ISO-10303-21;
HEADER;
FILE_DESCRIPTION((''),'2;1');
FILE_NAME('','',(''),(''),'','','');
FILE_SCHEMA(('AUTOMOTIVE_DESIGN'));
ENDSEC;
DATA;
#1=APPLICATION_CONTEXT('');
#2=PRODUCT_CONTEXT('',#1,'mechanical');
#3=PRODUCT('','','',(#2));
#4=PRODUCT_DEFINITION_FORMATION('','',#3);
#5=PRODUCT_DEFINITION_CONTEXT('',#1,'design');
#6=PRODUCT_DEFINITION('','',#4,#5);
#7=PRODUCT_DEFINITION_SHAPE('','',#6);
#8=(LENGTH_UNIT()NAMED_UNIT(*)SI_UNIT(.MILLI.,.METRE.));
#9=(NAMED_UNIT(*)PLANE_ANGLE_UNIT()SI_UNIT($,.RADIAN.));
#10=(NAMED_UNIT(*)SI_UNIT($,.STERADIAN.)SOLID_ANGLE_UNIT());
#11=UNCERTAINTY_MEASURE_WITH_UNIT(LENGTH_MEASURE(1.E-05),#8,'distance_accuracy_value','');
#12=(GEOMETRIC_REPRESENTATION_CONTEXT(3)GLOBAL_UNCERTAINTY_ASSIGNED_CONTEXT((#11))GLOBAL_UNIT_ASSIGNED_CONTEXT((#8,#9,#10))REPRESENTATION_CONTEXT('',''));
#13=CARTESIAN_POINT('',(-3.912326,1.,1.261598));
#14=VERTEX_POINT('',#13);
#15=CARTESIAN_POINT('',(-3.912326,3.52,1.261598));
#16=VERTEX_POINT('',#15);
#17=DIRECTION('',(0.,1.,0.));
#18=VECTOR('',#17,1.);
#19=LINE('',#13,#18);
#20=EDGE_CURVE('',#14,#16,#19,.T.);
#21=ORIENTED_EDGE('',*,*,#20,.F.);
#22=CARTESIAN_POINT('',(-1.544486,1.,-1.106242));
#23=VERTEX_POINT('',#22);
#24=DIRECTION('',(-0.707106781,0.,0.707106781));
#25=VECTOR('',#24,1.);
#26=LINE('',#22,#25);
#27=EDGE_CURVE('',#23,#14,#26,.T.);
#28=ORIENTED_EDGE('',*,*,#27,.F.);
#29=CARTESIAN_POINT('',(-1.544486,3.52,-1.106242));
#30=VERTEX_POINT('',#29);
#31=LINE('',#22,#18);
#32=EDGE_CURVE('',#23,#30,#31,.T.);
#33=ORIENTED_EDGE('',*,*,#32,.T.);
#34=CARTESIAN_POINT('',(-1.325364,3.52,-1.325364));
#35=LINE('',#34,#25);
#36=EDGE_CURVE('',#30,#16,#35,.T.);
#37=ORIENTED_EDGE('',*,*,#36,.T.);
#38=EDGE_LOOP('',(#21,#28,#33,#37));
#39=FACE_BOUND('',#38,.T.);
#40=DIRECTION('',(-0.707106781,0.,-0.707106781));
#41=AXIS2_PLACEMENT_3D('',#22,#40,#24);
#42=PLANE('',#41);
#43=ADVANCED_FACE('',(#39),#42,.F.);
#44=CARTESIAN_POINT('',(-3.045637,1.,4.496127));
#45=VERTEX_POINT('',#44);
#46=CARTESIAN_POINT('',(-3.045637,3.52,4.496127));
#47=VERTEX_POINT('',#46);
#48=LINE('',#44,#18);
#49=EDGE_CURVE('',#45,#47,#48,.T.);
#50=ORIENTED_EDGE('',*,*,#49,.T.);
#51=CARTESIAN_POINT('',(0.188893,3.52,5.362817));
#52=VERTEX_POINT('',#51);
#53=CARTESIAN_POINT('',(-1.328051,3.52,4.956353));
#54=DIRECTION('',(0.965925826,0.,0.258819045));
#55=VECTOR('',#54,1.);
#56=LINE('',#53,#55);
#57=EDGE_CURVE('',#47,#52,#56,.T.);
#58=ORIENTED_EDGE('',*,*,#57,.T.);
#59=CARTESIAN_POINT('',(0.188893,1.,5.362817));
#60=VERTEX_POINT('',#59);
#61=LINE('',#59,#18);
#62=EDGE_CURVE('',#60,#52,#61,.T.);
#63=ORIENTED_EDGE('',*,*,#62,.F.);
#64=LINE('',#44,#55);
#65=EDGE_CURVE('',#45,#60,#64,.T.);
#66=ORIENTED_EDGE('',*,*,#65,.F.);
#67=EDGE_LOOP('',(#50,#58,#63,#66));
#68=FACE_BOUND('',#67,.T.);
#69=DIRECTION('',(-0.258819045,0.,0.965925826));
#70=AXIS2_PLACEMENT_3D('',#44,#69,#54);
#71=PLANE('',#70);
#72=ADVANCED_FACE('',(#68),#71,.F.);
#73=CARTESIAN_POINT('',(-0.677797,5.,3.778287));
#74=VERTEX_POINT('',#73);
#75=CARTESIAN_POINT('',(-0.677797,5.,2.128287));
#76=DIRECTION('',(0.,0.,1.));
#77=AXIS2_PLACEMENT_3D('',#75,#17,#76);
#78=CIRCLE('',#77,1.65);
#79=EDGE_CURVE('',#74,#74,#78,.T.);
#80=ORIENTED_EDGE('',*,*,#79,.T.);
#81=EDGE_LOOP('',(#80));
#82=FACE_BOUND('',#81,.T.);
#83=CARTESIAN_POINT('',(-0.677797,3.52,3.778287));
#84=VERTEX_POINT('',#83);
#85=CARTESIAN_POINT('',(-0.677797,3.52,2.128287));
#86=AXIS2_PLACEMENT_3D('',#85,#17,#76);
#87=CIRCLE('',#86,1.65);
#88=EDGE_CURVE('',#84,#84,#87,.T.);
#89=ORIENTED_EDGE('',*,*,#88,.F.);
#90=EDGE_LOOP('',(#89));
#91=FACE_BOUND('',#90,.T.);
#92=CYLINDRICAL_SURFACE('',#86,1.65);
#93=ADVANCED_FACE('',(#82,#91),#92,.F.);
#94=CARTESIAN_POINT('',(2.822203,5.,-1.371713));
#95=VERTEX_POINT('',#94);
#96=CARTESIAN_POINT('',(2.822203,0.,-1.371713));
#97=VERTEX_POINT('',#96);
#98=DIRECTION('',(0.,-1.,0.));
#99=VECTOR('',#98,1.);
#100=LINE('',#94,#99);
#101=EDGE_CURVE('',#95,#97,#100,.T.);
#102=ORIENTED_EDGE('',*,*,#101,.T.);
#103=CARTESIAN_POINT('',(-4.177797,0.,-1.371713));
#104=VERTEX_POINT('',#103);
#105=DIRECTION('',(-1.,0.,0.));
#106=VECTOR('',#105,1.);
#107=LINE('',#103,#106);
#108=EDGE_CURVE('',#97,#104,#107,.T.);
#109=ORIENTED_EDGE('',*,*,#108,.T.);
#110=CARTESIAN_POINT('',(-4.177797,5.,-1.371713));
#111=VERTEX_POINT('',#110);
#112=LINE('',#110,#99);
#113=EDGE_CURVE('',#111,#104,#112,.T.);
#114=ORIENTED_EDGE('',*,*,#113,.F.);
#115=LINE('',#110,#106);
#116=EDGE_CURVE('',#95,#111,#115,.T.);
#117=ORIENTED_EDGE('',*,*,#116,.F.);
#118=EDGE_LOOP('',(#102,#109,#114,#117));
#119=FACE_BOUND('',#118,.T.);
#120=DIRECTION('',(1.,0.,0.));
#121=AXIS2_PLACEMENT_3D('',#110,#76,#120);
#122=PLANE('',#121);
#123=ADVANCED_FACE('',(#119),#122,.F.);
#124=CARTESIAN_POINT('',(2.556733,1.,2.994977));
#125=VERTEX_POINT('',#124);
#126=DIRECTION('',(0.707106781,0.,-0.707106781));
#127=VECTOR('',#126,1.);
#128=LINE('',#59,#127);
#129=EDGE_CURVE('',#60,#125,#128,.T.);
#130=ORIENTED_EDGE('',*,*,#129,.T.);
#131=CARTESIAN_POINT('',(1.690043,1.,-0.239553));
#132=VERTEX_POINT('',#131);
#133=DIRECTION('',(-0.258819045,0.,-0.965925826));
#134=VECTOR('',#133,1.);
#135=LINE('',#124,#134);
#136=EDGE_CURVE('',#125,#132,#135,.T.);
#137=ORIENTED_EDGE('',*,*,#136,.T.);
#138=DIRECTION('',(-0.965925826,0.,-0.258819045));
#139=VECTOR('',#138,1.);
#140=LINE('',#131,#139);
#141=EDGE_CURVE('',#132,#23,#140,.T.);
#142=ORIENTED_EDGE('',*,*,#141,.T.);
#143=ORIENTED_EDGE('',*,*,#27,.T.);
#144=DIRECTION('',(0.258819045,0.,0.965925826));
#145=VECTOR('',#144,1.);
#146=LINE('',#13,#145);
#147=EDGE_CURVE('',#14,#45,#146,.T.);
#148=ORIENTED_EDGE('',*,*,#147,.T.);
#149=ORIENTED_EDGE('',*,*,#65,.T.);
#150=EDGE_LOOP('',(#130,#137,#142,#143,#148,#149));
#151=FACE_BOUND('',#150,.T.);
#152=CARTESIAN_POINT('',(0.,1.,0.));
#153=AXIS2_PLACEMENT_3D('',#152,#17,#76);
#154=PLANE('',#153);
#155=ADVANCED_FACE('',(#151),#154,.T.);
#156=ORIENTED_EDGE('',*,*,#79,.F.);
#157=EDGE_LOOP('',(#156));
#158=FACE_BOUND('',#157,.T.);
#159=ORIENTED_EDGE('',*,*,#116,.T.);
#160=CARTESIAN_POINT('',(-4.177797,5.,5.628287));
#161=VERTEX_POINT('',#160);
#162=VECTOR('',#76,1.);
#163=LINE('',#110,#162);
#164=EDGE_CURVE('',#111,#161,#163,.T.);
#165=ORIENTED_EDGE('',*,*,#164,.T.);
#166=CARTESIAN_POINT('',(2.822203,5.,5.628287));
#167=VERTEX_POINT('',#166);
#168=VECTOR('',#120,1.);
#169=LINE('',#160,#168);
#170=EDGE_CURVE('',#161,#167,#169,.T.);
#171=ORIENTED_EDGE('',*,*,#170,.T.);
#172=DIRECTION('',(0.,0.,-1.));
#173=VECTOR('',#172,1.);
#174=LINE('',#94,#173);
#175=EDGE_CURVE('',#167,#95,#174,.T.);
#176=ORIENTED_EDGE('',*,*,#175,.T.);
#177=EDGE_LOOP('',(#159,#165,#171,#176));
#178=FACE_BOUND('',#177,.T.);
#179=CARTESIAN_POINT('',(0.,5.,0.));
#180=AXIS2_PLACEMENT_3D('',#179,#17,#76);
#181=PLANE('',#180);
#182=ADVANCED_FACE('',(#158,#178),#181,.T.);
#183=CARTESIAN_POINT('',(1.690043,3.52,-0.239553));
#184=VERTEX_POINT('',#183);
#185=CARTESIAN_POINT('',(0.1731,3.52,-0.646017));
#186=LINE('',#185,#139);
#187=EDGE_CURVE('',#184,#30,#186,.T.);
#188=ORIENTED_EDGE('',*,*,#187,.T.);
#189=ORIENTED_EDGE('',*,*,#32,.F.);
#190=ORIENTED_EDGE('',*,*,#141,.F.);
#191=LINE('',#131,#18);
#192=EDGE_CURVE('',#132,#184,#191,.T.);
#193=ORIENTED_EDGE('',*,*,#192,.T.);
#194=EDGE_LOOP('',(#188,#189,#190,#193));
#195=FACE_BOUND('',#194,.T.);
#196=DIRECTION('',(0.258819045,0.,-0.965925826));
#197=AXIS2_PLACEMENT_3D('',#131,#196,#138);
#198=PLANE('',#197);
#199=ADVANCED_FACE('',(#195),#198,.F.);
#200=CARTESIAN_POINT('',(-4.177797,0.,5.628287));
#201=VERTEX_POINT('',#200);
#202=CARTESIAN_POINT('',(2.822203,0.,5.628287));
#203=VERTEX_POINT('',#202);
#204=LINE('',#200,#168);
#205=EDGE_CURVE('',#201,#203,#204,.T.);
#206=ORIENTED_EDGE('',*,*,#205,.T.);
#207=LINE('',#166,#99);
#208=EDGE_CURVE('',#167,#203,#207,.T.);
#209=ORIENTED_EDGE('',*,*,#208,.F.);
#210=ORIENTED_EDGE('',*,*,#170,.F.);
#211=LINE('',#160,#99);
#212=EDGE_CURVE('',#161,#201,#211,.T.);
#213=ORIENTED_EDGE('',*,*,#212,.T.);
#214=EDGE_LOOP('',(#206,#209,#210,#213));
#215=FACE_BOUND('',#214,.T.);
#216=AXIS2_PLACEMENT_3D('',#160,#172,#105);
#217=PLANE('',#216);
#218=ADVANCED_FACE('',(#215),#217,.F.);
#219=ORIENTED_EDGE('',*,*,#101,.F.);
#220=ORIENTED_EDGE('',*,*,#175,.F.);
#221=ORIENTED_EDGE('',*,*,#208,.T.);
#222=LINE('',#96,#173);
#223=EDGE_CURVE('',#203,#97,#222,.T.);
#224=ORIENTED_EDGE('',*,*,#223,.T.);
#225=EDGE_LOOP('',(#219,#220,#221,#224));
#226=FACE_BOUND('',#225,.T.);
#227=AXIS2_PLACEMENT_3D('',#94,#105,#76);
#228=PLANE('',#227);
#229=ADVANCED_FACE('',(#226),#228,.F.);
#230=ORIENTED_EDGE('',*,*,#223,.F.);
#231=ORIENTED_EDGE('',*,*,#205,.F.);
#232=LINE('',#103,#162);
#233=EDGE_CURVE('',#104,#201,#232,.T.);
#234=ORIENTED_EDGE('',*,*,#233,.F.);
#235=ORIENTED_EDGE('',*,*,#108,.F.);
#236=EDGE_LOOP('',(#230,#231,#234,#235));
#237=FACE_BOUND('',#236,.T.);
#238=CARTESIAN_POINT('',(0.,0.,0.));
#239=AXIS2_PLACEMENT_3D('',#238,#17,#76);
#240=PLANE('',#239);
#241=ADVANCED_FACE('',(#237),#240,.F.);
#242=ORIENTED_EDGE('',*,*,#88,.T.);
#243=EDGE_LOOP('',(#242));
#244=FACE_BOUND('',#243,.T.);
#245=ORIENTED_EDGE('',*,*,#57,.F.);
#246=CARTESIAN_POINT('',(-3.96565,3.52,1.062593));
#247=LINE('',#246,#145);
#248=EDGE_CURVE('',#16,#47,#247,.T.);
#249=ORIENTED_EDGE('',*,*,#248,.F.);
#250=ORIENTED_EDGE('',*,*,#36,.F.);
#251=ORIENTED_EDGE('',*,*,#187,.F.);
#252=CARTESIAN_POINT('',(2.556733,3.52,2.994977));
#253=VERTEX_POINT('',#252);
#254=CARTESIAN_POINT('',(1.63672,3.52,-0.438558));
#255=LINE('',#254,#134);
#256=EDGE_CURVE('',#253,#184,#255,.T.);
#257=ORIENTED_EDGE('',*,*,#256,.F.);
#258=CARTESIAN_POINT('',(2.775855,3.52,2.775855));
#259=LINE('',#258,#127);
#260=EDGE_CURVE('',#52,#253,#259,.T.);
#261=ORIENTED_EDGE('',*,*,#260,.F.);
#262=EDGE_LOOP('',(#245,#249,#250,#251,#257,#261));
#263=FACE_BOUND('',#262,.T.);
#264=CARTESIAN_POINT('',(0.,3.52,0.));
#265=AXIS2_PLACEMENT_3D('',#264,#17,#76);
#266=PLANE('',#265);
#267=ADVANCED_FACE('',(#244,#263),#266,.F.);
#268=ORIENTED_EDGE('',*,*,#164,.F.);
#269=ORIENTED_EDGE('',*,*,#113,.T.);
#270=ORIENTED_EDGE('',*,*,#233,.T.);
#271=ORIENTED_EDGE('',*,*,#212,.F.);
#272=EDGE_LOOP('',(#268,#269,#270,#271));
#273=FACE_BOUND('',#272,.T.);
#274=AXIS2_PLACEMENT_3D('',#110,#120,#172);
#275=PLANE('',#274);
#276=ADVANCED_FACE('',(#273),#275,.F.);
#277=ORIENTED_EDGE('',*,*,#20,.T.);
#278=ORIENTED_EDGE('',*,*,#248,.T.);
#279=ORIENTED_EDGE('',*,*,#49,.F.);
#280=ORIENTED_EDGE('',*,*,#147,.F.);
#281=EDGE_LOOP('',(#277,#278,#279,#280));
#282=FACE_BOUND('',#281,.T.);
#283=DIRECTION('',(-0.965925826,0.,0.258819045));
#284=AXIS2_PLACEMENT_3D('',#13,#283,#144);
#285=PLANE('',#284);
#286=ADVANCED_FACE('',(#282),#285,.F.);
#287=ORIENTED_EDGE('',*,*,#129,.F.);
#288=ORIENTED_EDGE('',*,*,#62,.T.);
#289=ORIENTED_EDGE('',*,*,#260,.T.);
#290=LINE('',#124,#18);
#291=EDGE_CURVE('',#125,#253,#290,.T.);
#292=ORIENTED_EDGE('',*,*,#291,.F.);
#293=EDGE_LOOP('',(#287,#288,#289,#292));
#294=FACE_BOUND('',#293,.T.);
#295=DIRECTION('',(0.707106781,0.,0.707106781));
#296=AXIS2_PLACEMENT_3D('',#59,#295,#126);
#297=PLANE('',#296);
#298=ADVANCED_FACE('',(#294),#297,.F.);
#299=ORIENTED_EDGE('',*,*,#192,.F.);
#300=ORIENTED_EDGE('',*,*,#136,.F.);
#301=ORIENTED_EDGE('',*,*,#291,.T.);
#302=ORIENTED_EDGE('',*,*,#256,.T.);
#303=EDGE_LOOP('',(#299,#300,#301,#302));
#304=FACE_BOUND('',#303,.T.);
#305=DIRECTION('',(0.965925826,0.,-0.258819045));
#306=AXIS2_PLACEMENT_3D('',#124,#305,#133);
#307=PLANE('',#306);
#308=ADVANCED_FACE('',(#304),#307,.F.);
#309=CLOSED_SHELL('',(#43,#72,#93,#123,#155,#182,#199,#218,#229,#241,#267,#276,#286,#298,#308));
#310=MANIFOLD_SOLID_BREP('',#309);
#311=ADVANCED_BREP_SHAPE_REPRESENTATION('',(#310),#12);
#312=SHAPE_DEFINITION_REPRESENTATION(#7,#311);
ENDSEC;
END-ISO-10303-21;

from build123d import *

# Parameters (mm, degrees)
SKETCH1_W           = 7
SKETCH1_H           = 7
BOSS_EXTRUDE1_DEPTH = 5
SKETCH4_R           = 1.65
CUT_EXTRUDE4_DEPTH  = 4
SKETCH6_R           = 1.65
CUT_EXTRUDE6_DEPTH  = 4
SKETCH6_4_R         = 1.65
BOSS_EXTRUDE2_DEPTH = 1.48


with BuildPart() as part:
    # Sketch1 → Boss-Extrude1 (new body)
    with BuildSketch(Plane(origin=(0, 0, 0), x_dir=(1, 0, 0), z_dir=(0, 1, 0))):
        with Locations((-0.67779661, -2.128287226)):
            Rectangle(SKETCH1_W, SKETCH1_H)
    extrude(amount=BOSS_EXTRUDE1_DEPTH)

    # Sketch4 → Cut-Extrude4 (cut)
    with BuildSketch(Plane(origin=(0, 5, 0), x_dir=(1, 0, 0), z_dir=(0, 1, 0))):
        Polygon((-1.544486233, 1.106242481), (-3.912326317, -1.261597603), (-3.045636694, -4.496127311), (0.188893013, -5.362816934), (2.556733098, -2.99497685), (1.690043475, 0.239552858), align=None)
        with Locations((-0.67779661, -2.128287226)):
            Circle(SKETCH4_R, mode=Mode.SUBTRACT)
    extrude(amount=-CUT_EXTRUDE4_DEPTH, mode=Mode.SUBTRACT)

    # Sketch6 → Cut-Extrude6 (cut)
    with BuildSketch(Plane(origin=(0, 5, 0), x_dir=(1, 0, 0), z_dir=(0, 1, 0))):
        with Locations((-0.67779661, -2.128287226)):
            Circle(SKETCH6_R)
    extrude(amount=-CUT_EXTRUDE6_DEPTH, mode=Mode.SUBTRACT)

    # Sketch6<4> → Boss-Extrude2 (add)
    with BuildSketch(Plane(origin=(0, 5, 0), x_dir=(1, 0, 0), z_dir=(0, 1, 0))):
        Polygon((-1.544486233, 1.106242481), (-3.912326317, -1.261597603), (-3.045636694, -4.496127311), (0.188893013, -5.362816934), (2.556733098, -2.99497685), (1.690043475, 0.239552858), align=None)
        with Locations((-0.67779661, -2.128287226)):
            Circle(SKETCH6_4_R, mode=Mode.SUBTRACT)
    extrude(amount=-BOSS_EXTRUDE2_DEPTH)


solid = part.part
